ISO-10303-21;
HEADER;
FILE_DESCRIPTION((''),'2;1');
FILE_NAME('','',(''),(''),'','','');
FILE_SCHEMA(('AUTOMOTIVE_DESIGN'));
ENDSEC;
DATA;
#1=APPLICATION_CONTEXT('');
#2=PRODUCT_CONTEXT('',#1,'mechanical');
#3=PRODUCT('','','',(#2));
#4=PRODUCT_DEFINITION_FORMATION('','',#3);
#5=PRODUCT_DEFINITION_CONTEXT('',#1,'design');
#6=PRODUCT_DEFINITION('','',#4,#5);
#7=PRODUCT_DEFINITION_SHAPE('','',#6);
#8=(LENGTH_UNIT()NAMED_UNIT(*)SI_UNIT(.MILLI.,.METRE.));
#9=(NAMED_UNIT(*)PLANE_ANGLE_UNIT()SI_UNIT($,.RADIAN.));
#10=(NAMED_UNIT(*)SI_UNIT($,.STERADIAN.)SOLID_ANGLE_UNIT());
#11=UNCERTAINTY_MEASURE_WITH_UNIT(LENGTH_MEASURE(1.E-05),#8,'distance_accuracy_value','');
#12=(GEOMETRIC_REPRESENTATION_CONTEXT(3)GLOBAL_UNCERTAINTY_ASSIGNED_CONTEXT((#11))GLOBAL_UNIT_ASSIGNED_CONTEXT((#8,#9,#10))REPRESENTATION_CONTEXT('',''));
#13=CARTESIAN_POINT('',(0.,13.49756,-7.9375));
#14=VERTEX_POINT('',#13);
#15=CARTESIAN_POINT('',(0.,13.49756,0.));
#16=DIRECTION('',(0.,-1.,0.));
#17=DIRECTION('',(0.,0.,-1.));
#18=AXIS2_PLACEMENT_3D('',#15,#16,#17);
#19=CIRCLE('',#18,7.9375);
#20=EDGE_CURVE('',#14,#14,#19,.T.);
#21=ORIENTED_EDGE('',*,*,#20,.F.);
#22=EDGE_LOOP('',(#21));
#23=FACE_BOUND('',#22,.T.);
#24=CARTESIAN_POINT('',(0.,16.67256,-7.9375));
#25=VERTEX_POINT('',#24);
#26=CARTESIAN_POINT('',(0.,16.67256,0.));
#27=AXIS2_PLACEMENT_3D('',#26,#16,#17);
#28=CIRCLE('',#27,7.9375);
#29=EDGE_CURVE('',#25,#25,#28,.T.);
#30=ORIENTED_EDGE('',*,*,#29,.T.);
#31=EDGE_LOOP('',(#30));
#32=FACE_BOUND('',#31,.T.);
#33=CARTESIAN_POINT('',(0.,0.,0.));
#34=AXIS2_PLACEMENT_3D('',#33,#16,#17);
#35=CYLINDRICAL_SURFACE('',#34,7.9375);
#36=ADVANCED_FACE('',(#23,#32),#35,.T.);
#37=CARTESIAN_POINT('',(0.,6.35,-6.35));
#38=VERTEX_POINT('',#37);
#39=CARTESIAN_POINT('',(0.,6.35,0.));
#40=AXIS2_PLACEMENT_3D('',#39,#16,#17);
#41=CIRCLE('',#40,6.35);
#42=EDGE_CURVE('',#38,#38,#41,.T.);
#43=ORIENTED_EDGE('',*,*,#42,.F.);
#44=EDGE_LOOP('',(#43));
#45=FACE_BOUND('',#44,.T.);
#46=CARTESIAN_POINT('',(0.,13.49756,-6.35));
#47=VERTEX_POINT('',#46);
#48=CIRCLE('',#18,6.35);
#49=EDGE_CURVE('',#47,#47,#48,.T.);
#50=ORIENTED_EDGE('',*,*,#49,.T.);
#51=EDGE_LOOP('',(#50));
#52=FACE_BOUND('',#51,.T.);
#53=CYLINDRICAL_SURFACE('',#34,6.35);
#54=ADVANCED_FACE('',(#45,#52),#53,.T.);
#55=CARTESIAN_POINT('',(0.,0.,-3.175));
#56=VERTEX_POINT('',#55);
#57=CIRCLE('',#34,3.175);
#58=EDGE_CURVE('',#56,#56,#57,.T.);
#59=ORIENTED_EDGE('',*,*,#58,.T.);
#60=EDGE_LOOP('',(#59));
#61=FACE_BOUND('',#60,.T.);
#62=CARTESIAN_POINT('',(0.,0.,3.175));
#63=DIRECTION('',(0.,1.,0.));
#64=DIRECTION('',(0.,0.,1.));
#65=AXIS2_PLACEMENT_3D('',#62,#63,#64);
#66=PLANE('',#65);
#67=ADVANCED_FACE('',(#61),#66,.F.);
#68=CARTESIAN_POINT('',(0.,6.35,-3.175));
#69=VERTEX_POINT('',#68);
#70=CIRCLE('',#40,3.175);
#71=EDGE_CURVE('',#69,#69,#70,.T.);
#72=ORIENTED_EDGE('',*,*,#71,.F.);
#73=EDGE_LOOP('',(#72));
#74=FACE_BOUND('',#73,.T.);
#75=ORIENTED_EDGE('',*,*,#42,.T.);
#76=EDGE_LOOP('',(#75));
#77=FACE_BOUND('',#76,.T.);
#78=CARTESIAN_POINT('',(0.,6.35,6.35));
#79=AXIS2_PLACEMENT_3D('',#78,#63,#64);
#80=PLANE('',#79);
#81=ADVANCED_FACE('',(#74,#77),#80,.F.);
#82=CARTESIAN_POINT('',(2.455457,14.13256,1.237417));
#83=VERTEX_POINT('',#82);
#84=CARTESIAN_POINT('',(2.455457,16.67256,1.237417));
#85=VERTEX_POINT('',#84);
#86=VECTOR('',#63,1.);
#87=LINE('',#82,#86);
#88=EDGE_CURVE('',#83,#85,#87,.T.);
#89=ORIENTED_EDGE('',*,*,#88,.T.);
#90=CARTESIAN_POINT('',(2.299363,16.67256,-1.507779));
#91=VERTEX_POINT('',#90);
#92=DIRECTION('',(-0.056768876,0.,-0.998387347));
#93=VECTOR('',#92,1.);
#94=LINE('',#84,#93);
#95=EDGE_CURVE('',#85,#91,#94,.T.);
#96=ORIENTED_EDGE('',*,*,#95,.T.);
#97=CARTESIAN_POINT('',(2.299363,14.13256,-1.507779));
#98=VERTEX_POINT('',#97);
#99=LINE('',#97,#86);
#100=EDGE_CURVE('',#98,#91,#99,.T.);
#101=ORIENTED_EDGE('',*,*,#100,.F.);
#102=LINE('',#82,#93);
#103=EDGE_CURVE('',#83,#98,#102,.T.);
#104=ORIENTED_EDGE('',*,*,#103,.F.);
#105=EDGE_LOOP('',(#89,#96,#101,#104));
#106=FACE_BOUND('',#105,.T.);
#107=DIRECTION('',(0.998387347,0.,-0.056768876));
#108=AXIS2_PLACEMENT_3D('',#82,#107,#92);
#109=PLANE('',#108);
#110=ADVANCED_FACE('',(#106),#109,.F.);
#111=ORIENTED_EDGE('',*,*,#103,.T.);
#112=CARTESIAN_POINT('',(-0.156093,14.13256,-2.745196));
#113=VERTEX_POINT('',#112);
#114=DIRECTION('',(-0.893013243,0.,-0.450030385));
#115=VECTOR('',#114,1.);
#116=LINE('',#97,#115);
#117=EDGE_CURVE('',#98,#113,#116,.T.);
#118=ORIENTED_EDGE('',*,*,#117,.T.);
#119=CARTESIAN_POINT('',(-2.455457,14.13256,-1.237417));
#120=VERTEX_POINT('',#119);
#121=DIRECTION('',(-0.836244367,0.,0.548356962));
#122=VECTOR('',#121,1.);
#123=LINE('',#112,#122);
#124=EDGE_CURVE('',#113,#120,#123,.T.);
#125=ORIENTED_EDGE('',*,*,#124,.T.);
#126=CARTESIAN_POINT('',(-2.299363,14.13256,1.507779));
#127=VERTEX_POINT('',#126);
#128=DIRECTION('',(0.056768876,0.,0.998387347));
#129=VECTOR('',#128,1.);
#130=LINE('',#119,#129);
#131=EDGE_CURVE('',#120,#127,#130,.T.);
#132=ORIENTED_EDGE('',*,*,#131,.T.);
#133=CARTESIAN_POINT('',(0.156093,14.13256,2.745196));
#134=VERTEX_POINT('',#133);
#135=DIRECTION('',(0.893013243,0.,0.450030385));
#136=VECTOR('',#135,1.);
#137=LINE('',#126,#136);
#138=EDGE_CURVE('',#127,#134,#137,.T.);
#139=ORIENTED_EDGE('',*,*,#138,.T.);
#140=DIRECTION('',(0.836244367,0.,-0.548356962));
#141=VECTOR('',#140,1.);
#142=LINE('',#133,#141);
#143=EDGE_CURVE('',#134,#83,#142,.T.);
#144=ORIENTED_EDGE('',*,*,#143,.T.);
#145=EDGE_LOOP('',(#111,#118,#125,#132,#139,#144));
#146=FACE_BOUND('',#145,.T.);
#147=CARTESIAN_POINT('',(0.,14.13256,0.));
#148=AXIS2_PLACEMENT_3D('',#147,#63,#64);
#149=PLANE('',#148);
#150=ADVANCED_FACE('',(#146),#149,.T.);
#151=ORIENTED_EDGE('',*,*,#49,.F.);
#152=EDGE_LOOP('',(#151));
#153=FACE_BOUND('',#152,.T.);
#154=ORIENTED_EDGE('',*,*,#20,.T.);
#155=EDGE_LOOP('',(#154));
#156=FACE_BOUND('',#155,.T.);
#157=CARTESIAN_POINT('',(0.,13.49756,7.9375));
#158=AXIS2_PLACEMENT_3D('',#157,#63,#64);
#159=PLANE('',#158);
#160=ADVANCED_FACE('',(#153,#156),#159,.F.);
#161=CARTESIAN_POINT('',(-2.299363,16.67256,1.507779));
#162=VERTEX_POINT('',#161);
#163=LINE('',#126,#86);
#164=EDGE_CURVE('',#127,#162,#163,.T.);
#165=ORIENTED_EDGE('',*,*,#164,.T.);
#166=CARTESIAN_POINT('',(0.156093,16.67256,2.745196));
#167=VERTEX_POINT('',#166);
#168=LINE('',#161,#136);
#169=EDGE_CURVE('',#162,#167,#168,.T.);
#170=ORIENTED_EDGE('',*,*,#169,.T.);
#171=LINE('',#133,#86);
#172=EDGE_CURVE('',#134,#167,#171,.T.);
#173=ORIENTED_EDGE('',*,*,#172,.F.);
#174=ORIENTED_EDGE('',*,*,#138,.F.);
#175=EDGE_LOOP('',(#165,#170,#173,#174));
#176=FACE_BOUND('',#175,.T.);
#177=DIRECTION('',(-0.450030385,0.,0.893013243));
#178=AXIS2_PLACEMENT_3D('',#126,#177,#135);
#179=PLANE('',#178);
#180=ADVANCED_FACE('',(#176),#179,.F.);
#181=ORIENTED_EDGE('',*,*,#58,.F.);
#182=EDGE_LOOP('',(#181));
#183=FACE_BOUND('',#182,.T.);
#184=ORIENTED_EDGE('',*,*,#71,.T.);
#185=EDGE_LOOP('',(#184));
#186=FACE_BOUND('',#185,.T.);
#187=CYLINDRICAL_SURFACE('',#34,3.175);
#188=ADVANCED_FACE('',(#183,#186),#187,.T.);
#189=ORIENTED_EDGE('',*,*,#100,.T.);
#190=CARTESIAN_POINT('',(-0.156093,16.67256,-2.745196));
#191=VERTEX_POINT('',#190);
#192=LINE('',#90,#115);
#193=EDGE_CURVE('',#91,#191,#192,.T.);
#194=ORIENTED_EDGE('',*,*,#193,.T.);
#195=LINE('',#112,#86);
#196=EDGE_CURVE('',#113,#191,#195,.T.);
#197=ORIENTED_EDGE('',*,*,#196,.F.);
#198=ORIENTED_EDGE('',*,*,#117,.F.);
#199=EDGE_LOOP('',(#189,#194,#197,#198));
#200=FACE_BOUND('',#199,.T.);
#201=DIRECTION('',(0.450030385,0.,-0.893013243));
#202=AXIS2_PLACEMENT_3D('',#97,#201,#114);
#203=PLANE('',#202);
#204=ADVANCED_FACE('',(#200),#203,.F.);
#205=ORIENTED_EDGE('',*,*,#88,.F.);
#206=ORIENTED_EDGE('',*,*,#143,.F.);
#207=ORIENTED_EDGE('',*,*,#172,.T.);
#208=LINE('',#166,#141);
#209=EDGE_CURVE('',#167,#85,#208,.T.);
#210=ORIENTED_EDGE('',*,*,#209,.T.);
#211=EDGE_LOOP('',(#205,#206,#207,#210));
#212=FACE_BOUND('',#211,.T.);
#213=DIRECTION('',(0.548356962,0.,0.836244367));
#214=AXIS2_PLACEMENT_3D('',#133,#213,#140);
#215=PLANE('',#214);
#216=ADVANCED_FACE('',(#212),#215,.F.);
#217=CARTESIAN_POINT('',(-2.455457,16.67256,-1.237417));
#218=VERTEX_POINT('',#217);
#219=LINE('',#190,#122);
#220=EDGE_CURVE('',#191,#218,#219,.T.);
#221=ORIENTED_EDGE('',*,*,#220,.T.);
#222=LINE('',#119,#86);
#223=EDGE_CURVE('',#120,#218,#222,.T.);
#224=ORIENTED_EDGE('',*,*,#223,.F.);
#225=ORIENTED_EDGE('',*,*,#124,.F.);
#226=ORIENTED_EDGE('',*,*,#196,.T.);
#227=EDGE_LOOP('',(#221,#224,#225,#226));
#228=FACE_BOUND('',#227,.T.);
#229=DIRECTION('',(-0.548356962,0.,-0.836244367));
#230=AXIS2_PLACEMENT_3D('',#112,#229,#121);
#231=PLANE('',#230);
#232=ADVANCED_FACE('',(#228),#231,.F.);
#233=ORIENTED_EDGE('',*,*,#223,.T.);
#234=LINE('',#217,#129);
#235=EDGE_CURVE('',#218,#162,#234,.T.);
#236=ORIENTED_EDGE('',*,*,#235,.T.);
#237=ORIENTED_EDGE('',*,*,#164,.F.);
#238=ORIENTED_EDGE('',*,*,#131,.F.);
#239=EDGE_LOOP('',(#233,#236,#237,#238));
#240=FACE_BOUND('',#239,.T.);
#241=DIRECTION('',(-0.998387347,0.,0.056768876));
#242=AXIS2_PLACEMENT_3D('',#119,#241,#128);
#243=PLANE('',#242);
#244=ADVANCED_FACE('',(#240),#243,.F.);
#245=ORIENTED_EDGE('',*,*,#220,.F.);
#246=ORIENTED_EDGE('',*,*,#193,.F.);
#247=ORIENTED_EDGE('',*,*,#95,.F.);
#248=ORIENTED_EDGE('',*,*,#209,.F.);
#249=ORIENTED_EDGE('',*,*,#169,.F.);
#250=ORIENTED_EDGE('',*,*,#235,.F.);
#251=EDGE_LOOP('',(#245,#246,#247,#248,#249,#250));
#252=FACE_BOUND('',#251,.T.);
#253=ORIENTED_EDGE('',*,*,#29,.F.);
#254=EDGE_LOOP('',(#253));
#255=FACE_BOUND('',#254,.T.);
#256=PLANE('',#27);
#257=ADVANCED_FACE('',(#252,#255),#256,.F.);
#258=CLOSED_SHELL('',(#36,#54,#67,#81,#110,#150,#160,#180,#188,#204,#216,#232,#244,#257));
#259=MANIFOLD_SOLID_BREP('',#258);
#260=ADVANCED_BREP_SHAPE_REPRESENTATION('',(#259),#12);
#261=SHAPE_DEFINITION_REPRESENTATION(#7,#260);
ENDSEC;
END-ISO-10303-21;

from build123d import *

# Parameters (mm, degrees)
CUT_EXTRUDE1_DEPTH = 2.54


with BuildPart() as part:
    # Sketch1 → Revolve1 (revolve)
    with BuildSketch(Plane(origin=(0, 0, 0), x_dir=(0, 0, -1), z_dir=(1, 0, 0)), mode=Mode.PRIVATE) as revolve1_sk:
        Polygon((0, 0), (0, 16.67256), (-7.9375, 16.67256), (-7.9375, 13.49756), (-6.35, 13.49756), (-6.35, 6.35), (-3.175, 6.35), (-3.175, 0), align=None)
    revolve(revolve1_sk.sketch.rotate(Axis((0, 0, 0), (0, 1, 0)), 180), axis=Axis((0, 0, 0), (0, 1, 0)))

    # Sketch2 → Cut-Extrude1 (cut)
    with BuildSketch(Plane(origin=(0, 16.67256, 0), x_dir=(1, 0, 0), z_dir=(0, 1, 0))):
        Polygon((-2.299363149, -1.507779114), (0.156093442, -2.745196457), (2.455456591, -1.237417343), (2.299363149, 1.507779114), (-0.156093442, 2.745196457), (-2.455456591, 1.237417343), align=None)
    extrude(amount=-CUT_EXTRUDE1_DEPTH, mode=Mode.SUBTRACT)


solid = part.part
